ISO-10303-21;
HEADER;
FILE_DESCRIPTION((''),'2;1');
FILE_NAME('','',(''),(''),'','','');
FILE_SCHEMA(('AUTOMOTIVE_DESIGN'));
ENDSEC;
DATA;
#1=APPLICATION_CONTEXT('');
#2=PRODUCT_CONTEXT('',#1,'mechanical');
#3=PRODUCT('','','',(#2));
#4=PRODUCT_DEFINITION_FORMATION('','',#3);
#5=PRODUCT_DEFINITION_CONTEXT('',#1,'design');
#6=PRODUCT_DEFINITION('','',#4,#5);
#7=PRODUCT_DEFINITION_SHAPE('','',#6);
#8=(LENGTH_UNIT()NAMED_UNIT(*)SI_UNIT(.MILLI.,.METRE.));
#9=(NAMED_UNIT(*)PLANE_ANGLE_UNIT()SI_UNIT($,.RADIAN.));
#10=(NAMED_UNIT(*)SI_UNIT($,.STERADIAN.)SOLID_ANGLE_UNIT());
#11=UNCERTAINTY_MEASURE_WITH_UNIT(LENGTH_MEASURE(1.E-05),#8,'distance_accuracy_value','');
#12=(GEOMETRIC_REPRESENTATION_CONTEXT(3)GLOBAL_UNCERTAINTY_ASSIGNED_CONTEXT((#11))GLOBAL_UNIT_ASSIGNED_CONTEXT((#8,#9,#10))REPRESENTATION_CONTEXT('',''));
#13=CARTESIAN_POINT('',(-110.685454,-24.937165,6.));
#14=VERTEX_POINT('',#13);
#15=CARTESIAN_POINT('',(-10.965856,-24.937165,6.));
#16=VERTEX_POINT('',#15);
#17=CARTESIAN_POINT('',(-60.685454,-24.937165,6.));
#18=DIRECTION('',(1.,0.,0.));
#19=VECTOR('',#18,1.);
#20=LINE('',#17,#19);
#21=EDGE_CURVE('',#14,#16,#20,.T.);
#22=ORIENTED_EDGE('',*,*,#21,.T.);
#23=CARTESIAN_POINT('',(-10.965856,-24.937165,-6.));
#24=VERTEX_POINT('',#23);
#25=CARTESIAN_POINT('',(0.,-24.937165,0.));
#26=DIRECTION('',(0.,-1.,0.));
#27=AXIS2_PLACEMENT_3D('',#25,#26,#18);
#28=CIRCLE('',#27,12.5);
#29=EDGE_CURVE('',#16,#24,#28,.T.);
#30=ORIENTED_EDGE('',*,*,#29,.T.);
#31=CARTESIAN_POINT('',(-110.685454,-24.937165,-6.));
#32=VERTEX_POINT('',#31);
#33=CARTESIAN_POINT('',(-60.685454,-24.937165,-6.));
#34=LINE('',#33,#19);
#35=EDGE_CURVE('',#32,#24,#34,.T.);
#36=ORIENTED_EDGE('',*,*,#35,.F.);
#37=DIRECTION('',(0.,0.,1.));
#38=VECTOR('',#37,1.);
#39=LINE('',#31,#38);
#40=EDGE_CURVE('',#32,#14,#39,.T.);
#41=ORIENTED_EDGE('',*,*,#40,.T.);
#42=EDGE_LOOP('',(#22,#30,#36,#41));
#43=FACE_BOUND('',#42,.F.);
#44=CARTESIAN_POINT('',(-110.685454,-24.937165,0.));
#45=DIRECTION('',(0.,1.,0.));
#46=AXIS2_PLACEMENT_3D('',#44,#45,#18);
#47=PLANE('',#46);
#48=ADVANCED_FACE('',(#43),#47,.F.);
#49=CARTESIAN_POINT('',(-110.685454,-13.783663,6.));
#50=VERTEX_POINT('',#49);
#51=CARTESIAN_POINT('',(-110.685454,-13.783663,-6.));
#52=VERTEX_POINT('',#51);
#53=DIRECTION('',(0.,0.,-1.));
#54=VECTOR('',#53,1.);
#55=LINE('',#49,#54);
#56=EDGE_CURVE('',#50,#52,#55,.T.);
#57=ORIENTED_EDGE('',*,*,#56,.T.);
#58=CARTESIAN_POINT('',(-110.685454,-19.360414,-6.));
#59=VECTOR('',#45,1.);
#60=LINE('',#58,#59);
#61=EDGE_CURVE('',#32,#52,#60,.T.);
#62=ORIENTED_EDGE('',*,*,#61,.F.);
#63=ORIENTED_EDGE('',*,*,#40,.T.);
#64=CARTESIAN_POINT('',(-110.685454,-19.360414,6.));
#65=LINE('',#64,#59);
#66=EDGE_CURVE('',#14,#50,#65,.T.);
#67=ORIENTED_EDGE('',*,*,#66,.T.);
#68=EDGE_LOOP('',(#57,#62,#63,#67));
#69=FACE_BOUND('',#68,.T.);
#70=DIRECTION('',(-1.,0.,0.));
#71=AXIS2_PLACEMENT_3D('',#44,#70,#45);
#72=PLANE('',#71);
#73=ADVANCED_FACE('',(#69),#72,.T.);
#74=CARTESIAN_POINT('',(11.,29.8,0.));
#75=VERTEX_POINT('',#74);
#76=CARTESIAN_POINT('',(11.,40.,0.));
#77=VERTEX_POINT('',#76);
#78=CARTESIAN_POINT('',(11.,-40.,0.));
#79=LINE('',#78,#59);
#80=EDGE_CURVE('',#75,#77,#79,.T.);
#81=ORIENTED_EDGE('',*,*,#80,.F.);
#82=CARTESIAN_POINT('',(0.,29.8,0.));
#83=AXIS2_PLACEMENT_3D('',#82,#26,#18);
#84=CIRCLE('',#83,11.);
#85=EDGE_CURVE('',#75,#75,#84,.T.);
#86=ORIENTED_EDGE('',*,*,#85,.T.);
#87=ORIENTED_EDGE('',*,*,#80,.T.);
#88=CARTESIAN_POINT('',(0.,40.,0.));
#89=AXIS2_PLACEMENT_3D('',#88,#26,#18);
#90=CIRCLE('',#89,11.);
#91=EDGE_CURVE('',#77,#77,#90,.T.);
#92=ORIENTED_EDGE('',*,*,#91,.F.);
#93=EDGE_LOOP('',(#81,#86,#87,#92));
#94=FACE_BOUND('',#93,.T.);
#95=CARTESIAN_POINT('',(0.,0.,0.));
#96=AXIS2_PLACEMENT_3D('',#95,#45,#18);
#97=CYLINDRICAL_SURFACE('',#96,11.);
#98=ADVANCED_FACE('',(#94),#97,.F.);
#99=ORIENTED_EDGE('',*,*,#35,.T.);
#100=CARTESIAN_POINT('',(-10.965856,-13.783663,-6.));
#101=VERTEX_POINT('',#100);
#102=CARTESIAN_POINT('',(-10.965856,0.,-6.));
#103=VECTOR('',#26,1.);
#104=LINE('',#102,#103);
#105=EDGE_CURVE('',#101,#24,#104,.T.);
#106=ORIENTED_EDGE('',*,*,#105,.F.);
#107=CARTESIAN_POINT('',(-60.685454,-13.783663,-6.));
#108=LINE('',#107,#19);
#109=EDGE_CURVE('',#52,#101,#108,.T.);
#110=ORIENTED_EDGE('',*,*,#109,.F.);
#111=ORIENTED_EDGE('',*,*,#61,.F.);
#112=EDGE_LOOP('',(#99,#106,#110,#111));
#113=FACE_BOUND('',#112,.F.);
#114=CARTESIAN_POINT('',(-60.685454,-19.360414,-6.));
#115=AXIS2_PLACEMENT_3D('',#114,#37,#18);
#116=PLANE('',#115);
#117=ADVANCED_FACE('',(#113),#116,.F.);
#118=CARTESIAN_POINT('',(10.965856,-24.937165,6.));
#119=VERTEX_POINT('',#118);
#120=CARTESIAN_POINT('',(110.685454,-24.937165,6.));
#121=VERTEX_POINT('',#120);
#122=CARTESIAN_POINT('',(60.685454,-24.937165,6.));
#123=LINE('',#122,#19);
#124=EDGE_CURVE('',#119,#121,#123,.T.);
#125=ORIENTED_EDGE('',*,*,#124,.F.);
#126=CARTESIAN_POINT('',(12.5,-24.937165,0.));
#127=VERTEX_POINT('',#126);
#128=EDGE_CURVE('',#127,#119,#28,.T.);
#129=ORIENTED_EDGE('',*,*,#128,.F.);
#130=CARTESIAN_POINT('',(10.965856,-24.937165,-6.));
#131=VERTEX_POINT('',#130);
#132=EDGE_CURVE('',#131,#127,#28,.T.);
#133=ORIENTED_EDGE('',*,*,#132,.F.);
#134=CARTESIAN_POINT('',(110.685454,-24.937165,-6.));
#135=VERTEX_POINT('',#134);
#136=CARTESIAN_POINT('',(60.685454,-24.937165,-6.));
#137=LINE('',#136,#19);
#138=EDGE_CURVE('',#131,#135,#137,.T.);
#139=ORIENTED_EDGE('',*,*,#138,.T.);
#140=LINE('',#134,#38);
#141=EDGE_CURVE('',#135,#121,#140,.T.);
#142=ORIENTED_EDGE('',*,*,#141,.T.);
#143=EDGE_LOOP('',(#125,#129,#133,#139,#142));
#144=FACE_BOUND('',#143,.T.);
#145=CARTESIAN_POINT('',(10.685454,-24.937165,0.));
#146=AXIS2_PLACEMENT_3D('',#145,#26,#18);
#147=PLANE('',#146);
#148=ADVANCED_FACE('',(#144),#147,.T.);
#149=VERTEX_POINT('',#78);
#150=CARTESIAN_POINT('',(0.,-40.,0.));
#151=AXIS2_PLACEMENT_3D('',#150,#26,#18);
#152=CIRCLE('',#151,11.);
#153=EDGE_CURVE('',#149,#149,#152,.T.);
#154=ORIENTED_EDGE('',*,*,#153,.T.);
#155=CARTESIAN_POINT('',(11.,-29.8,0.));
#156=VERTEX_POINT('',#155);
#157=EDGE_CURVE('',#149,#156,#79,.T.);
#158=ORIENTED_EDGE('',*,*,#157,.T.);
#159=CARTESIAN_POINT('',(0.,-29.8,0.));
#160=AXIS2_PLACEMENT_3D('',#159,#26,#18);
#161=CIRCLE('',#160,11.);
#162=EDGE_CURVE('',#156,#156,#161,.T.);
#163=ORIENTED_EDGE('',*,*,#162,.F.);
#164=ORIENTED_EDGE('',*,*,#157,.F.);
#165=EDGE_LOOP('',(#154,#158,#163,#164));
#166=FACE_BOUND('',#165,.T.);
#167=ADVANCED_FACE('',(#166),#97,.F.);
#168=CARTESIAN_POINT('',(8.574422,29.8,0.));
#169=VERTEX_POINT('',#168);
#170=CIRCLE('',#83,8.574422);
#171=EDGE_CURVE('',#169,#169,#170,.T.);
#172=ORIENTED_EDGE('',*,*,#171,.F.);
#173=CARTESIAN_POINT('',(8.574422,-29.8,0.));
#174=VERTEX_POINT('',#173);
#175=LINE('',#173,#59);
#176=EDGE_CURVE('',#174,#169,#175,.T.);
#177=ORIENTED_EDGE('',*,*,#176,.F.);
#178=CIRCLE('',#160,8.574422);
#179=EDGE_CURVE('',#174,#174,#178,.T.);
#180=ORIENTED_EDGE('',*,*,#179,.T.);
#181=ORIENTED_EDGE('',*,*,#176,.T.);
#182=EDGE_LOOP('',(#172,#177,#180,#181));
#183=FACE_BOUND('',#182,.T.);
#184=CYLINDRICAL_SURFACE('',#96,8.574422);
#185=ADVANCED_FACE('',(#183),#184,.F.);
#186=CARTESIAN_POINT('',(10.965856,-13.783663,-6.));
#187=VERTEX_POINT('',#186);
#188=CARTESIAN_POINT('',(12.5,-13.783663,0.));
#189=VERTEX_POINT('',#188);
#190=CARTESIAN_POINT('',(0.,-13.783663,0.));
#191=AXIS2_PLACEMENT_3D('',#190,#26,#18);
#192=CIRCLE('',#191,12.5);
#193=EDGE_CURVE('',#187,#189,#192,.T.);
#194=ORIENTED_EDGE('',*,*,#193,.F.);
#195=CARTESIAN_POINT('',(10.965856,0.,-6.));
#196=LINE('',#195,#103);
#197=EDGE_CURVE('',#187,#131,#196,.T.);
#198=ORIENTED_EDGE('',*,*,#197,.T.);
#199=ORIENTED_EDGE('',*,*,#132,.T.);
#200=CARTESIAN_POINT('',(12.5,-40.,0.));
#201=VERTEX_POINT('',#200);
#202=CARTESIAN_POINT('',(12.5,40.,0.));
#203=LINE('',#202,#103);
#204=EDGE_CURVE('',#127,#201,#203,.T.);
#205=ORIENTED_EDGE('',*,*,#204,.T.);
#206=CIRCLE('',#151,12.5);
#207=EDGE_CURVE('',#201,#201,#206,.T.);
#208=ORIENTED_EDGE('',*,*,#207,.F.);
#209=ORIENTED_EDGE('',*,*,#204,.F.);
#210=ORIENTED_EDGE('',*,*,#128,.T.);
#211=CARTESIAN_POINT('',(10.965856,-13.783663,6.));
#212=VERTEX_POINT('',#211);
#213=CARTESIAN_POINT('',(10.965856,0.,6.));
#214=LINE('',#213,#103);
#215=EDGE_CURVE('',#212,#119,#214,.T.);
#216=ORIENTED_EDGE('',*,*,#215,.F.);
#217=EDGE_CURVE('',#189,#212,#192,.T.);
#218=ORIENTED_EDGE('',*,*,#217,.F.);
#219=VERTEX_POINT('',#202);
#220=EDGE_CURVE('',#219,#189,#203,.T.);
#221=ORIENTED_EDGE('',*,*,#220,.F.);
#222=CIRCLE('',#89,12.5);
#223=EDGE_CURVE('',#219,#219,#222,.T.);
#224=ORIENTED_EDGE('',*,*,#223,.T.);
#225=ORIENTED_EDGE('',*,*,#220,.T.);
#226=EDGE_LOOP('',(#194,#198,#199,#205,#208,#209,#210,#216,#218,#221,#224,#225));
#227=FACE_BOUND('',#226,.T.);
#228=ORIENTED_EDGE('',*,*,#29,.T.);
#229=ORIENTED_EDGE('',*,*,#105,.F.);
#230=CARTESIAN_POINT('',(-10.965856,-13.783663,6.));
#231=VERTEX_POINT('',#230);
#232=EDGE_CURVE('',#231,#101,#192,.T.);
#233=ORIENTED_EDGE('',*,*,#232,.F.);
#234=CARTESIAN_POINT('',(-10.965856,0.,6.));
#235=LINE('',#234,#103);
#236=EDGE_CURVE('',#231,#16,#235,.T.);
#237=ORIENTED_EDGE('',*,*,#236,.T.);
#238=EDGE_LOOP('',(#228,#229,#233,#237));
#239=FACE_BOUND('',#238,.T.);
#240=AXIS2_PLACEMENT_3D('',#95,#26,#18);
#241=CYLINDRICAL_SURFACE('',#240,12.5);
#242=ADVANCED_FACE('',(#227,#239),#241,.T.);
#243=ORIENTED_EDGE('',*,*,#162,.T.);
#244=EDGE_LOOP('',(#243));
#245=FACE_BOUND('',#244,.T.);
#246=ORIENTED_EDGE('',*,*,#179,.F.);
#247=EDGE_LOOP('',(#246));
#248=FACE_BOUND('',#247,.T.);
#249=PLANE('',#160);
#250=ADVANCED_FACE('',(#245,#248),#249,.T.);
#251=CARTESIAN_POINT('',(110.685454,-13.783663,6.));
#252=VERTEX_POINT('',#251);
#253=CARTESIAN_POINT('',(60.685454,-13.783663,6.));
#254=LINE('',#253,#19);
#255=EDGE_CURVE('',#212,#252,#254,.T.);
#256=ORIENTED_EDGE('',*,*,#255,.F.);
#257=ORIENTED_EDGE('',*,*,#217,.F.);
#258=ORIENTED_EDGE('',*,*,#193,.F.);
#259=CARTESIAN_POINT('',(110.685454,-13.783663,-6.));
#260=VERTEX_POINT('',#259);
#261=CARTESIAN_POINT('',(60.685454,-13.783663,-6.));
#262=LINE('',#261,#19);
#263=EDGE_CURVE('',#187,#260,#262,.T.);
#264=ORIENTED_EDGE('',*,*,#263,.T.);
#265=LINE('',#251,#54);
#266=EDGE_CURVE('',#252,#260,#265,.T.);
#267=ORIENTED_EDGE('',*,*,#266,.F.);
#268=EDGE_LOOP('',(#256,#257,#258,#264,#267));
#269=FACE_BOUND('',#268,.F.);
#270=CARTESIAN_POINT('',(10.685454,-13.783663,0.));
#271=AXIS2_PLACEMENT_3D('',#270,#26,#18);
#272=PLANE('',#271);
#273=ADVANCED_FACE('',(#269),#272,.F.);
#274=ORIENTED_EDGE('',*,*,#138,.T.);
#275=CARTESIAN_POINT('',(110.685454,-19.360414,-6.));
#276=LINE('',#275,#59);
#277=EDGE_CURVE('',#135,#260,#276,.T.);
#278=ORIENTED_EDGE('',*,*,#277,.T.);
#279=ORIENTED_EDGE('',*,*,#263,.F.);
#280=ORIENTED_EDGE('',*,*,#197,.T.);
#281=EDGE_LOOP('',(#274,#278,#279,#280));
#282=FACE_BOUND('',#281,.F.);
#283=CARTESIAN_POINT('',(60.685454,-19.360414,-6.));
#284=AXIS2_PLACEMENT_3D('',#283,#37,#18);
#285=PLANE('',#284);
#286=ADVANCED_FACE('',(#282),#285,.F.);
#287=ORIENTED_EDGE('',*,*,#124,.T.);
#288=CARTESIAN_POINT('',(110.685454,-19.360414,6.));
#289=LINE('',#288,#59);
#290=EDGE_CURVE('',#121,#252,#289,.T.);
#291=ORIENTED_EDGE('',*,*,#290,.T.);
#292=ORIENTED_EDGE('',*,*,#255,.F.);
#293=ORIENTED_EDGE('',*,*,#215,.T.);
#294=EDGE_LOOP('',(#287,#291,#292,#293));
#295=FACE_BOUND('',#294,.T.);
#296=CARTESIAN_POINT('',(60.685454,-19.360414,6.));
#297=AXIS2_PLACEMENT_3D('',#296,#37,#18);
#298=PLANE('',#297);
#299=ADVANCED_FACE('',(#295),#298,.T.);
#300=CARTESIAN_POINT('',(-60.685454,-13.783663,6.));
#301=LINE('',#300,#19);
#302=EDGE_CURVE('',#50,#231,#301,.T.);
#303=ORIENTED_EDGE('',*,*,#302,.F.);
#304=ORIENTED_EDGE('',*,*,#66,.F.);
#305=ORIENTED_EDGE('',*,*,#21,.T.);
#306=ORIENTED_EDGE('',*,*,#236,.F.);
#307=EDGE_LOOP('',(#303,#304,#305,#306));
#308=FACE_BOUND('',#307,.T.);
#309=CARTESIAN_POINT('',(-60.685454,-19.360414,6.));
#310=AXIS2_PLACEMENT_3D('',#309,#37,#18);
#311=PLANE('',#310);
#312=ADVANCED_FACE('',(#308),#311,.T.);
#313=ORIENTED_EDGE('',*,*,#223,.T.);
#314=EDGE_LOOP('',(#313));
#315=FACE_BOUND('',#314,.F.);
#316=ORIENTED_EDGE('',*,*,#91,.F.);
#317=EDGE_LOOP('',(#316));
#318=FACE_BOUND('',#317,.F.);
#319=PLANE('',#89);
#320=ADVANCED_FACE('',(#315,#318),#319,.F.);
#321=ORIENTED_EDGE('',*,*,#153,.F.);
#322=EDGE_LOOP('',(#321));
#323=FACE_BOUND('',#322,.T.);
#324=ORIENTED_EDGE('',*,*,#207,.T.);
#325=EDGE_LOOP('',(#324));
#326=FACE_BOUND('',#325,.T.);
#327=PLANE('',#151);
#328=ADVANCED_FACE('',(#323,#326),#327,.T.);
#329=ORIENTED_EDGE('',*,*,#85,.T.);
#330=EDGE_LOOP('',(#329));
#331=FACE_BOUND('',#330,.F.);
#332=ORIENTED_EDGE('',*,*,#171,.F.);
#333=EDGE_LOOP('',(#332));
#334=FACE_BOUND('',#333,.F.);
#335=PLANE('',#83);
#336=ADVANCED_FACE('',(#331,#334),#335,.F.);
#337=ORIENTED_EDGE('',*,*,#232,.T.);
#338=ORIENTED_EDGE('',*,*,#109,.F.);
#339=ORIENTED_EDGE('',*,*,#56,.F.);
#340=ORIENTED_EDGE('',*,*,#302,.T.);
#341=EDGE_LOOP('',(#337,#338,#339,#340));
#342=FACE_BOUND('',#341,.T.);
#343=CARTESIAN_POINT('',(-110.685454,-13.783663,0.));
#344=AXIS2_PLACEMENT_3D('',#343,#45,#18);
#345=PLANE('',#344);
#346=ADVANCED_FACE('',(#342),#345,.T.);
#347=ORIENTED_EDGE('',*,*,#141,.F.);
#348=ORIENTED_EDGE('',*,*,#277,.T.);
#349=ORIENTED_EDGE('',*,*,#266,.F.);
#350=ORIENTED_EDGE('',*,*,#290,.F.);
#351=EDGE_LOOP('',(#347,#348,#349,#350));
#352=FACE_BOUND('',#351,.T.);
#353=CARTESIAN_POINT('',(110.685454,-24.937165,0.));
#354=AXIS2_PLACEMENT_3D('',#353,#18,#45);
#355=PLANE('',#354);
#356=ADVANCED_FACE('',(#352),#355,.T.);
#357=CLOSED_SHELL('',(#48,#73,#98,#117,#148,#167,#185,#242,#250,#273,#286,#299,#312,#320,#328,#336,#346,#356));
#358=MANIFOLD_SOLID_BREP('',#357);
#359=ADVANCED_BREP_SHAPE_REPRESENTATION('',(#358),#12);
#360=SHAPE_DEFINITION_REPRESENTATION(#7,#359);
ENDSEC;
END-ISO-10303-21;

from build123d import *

# Parameters (mm, degrees)
F0_R     = 12.5
F0_R_2   = 11
F1_DEPTH = 40
F2_R     = 11
F2_R_2   = 8.574422
F3_DEPTH = 29.8
F4_W     = 100
F4_H     = 11.153503
F5_DEPTH = 6


with BuildPart() as f1:
    # F0 (on Front) → F1 (new body, symmetric)
    with BuildSketch(Plane.XZ):
        Circle(F0_R)
        Circle(F0_R_2, mode=Mode.SUBTRACT)
    extrude(amount=F1_DEPTH, both=True)

    # F2 (on Front) → F3 (join, symmetric)
    with BuildSketch(Plane.XZ):
        Circle(F2_R)
        Circle(F2_R_2, mode=Mode.SUBTRACT)
    extrude(amount=F3_DEPTH, both=True)

    # F4 (on Top) → F5 (join, symmetric)
    with BuildSketch(Plane.XY):
        with Locations((-60.685454, -19.360414)):
            Rectangle(F4_W, F4_H)
        with Locations((60.685454, -19.360414)):
            Rectangle(F4_W, F4_H)
    extrude(amount=F5_DEPTH, both=True)


solid = f1.part
